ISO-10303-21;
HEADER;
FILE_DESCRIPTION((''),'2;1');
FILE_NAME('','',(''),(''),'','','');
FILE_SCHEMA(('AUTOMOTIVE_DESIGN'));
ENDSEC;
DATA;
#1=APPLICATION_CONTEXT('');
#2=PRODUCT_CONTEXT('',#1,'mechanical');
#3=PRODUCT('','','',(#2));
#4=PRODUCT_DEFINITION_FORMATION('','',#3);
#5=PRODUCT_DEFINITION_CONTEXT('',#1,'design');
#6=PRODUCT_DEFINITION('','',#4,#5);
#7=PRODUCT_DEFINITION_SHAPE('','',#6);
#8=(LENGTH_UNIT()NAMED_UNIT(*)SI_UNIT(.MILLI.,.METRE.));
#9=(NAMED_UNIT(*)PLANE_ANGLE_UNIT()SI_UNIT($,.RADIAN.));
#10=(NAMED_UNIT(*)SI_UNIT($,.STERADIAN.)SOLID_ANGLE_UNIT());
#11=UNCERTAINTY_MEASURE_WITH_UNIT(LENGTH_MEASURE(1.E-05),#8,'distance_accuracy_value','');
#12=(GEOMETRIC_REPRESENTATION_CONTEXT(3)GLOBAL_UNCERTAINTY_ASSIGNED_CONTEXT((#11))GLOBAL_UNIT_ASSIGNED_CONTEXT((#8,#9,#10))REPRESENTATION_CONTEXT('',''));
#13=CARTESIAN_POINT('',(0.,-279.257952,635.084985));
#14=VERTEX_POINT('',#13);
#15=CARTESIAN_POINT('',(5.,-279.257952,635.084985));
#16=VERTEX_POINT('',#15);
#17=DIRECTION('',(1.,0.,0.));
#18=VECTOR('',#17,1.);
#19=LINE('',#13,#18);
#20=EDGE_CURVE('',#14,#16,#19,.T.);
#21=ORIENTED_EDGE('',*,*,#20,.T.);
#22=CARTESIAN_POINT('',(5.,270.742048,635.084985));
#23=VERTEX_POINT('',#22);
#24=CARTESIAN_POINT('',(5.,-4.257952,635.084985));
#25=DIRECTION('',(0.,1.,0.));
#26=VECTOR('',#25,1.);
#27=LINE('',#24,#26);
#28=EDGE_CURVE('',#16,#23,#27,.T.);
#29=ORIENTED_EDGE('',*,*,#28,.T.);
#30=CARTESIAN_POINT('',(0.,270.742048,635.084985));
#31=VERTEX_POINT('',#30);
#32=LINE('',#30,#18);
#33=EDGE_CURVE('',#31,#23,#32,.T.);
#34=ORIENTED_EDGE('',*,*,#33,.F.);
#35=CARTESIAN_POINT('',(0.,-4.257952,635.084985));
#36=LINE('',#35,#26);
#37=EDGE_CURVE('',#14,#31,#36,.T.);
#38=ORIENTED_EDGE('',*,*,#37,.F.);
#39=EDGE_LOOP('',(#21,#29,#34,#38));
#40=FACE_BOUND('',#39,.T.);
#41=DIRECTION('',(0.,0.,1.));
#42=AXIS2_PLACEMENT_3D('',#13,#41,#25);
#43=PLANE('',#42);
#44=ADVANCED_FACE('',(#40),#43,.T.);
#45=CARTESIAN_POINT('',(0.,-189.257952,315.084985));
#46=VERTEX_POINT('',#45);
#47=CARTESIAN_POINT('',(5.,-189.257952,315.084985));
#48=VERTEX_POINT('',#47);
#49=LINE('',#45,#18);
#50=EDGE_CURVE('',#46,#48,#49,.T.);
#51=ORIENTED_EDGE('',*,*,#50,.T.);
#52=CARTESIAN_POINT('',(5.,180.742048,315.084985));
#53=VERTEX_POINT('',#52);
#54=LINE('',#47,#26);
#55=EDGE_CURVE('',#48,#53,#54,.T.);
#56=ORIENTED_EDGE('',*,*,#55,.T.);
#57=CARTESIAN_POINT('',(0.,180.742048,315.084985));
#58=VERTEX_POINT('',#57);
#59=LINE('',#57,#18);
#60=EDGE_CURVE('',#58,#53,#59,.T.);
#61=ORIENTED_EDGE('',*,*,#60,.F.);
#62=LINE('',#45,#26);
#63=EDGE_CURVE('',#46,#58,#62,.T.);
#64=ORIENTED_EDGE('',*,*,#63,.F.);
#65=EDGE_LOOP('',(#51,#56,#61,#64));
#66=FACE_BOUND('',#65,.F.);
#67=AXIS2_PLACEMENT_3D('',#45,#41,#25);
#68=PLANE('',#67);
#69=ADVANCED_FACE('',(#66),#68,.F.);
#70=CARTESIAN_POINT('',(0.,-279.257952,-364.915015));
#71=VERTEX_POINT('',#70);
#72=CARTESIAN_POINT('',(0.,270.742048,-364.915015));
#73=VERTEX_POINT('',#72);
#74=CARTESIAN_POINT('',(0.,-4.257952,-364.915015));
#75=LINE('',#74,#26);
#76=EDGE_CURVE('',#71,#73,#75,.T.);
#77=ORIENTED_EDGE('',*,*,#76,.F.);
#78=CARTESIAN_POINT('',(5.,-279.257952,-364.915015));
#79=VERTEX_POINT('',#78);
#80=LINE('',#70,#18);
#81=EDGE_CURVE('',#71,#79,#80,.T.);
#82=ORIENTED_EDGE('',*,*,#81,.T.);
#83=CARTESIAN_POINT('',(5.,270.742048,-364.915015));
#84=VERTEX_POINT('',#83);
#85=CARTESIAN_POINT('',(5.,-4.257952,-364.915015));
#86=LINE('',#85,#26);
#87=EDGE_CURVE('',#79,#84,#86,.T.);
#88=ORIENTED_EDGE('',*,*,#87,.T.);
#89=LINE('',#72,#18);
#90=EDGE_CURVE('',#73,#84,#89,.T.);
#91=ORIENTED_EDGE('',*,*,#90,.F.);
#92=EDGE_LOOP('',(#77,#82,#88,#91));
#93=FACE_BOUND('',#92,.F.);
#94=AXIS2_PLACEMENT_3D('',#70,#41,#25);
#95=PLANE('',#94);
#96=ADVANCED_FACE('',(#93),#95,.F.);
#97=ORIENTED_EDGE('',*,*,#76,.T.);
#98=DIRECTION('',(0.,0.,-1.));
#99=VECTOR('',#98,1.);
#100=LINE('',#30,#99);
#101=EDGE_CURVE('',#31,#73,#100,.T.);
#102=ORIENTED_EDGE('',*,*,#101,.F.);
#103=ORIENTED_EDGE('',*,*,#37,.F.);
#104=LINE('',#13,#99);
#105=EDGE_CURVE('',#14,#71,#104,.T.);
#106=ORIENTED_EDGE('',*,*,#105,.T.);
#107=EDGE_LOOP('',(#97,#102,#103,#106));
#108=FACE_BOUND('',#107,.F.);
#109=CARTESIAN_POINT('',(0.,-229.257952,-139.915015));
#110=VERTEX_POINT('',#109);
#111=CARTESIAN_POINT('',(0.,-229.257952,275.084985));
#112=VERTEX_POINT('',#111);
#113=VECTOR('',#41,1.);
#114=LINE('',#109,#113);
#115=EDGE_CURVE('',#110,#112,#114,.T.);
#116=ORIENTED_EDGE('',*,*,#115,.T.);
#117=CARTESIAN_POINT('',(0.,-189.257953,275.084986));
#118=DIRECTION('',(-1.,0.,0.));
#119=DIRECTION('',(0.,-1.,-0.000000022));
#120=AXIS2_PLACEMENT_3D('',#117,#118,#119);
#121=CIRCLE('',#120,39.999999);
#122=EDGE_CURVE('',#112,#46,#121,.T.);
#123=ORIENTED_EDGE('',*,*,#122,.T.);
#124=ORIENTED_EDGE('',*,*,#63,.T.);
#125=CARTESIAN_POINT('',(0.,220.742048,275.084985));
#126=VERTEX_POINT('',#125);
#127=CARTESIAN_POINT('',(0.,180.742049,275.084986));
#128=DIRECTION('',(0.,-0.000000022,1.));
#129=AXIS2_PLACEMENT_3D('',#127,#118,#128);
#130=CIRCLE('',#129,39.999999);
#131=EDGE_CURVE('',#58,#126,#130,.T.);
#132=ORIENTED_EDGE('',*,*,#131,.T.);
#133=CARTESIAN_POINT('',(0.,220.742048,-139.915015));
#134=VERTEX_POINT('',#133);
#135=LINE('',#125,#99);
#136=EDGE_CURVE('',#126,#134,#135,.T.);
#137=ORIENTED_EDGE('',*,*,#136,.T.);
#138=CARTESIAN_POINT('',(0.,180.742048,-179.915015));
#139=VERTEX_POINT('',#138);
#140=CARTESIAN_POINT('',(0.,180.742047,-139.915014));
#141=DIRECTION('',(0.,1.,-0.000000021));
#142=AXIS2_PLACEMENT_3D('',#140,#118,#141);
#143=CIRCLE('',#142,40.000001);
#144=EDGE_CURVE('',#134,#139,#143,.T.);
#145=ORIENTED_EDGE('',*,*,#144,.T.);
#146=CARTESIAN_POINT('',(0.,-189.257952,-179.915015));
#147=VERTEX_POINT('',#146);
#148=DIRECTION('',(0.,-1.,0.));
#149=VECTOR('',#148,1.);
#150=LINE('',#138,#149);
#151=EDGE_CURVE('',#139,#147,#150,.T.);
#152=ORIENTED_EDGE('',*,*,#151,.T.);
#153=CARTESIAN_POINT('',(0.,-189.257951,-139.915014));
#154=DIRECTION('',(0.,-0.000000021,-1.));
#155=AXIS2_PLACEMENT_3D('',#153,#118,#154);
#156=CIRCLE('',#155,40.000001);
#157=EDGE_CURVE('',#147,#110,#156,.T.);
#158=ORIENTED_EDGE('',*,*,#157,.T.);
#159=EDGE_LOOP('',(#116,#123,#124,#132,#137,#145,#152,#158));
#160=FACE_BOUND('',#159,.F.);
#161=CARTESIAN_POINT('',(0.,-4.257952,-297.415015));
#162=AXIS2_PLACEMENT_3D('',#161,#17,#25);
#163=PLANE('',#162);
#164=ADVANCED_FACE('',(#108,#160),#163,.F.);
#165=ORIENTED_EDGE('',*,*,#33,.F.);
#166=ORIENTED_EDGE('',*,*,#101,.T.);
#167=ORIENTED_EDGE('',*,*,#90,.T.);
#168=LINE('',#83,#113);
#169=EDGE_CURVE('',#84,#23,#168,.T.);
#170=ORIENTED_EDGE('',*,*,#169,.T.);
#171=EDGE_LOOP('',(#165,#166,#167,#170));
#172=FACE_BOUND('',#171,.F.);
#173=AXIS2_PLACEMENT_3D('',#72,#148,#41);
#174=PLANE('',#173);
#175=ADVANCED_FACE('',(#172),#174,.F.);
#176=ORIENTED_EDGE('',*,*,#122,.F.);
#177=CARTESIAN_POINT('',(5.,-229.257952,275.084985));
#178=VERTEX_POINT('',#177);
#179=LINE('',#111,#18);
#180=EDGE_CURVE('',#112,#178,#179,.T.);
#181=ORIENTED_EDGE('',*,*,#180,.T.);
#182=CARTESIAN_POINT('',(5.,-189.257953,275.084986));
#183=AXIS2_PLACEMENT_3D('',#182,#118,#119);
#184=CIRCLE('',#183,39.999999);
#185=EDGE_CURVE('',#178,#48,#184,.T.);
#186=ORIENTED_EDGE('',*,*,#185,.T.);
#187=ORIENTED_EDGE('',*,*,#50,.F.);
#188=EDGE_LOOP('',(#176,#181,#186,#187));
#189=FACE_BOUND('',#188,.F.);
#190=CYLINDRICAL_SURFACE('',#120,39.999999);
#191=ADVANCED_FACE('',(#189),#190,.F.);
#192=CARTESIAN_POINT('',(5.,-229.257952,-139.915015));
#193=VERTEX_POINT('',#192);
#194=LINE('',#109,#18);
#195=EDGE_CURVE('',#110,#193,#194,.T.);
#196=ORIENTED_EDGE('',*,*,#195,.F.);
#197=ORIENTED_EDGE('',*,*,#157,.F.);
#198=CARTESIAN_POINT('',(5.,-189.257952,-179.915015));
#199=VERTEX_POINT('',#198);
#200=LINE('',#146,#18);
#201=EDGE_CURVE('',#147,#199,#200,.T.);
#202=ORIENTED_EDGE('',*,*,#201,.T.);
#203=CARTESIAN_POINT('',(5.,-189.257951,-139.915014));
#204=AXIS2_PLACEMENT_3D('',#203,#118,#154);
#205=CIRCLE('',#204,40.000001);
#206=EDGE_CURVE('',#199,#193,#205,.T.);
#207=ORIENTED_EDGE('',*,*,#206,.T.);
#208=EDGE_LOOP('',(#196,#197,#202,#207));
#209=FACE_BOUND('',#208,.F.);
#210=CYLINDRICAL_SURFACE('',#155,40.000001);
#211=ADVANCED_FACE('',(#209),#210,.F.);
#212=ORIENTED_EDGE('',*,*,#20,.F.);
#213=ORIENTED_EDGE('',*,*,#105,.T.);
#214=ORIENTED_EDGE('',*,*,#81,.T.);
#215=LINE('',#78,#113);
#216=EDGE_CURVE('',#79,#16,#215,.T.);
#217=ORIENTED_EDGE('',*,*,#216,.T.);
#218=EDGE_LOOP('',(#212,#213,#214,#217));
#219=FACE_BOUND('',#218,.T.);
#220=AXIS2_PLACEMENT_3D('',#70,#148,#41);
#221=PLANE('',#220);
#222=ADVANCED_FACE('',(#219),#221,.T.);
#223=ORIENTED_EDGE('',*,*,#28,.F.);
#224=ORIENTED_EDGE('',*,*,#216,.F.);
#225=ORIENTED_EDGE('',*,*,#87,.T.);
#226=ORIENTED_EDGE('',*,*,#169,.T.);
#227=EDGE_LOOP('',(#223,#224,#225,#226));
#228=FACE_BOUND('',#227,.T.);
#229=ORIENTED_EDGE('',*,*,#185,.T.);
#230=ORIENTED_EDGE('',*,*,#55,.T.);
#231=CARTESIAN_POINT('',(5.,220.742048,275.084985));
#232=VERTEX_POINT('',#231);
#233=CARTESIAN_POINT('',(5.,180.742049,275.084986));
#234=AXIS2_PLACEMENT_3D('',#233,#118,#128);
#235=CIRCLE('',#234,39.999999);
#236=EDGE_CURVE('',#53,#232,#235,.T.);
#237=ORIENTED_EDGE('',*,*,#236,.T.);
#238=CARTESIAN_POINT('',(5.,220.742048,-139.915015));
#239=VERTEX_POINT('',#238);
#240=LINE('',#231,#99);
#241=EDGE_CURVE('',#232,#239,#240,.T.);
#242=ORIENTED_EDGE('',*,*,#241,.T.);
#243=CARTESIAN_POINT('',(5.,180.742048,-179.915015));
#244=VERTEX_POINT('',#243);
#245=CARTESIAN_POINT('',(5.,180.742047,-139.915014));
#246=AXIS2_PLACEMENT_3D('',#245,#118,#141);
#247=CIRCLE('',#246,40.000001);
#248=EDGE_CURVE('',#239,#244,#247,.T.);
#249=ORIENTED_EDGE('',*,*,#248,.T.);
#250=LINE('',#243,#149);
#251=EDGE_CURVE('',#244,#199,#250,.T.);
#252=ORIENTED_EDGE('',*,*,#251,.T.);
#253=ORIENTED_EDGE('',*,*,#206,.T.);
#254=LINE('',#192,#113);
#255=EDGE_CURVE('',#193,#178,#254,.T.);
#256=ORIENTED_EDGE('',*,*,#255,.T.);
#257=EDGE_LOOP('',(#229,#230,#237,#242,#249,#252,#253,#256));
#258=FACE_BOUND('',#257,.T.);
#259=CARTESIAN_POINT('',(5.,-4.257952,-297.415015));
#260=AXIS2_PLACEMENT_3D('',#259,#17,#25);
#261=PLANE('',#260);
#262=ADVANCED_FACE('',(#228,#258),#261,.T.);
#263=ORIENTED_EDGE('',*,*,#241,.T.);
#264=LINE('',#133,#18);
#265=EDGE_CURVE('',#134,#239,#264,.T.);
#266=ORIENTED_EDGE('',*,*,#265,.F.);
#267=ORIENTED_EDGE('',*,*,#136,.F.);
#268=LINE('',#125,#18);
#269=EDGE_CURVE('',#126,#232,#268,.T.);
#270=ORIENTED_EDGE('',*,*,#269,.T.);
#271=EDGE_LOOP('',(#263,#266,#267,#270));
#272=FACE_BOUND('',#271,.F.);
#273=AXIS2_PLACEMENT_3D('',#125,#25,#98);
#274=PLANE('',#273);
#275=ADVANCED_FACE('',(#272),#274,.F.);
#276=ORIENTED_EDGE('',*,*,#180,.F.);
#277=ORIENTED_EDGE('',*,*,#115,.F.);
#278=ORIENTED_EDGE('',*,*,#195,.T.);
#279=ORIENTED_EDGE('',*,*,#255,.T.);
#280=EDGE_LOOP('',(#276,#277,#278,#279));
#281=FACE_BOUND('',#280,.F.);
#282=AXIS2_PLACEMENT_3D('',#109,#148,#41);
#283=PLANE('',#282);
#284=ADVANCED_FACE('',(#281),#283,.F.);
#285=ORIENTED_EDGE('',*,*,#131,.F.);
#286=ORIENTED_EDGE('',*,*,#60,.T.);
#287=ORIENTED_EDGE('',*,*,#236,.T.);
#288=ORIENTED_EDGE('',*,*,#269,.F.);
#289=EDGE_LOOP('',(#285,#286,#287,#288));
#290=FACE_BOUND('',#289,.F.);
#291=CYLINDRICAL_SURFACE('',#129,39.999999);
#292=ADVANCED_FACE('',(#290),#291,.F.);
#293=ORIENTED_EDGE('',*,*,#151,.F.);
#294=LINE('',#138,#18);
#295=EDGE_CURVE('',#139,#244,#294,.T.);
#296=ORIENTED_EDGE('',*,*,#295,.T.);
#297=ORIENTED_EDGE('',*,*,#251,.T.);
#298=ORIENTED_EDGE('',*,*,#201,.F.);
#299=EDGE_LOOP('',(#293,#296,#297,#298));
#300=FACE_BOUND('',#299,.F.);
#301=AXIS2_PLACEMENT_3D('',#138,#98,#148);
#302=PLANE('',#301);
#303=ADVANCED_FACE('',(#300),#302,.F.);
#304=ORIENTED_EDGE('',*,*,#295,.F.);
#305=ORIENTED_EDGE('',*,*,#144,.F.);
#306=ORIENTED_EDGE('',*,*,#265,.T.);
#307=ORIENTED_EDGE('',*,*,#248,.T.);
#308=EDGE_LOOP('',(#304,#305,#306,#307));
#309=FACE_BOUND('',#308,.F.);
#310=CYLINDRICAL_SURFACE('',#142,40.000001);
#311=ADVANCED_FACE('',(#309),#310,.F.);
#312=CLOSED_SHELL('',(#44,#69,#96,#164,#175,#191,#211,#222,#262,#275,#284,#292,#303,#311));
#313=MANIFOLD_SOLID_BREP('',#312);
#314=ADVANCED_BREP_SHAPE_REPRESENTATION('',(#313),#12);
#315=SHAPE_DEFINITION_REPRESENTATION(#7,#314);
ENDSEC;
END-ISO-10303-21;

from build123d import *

# Parameters (mm, degrees)
F0_W     = 550
F0_H     = 595
F1_DEPTH = 5
F0_H_2   = 270
F2_DEPTH = 5
F0_H_3   = 135
F3_DEPTH = 5


with BuildPart() as f1:
    # F0 (on Right) → F1 (new body)
    with BuildSketch(Plane.YZ):
        with Locations((-4.257952, 67.584985)):
            Rectangle(F0_W, F0_H)
        with BuildLine():
            ThreePointArc((-229.257952, 275.084985), (-217.542223, 303.369257), (-189.257952, 315.084985))
            Line((-189.257952, 315.084985), (-4.257952, 315.084985))
            Line((-4.257952, 315.084985), (180.742048, 315.084985))
            ThreePointArc((180.742048, 315.084985), (209.026319, 303.369257), (220.742048, 275.084985))
            Line((220.742048, 275.084985), (220.742048, 67.584985))
            Line((220.742048, 67.584985), (220.742048, -139.915015))
            ThreePointArc((220.742048, -139.915015), (209.026319, -168.199286), (180.742048, -179.915015))
            Line((180.742048, -179.915015), (-4.257952, -179.915015))
            Line((-4.257952, -179.915015), (-189.257952, -179.915015))
            ThreePointArc((-189.257952, -179.915015), (-217.542223, -168.199286), (-229.257952, -139.915015))
            Line((-229.257952, -139.915015), (-229.257952, 67.584985))
            Line((-229.257952, 67.584985), (-229.257952, 275.084985))
        make_face(mode=Mode.SUBTRACT)
    extrude(amount=F1_DEPTH)

    # F0 (on Right) → F2 (join)
    with BuildSketch(Plane.YZ):
        with Locations((-4.257952, 500.084985)):
            Rectangle(F0_W, F0_H_2)
    extrude(amount=F2_DEPTH)

    # F0 (on Right) → F3 (join)
    with BuildSketch(Plane.YZ):
        with Locations((-4.257952, -297.415015)):
            Rectangle(F0_W, F0_H_3)
    extrude(amount=F3_DEPTH)


solid = f1.part
